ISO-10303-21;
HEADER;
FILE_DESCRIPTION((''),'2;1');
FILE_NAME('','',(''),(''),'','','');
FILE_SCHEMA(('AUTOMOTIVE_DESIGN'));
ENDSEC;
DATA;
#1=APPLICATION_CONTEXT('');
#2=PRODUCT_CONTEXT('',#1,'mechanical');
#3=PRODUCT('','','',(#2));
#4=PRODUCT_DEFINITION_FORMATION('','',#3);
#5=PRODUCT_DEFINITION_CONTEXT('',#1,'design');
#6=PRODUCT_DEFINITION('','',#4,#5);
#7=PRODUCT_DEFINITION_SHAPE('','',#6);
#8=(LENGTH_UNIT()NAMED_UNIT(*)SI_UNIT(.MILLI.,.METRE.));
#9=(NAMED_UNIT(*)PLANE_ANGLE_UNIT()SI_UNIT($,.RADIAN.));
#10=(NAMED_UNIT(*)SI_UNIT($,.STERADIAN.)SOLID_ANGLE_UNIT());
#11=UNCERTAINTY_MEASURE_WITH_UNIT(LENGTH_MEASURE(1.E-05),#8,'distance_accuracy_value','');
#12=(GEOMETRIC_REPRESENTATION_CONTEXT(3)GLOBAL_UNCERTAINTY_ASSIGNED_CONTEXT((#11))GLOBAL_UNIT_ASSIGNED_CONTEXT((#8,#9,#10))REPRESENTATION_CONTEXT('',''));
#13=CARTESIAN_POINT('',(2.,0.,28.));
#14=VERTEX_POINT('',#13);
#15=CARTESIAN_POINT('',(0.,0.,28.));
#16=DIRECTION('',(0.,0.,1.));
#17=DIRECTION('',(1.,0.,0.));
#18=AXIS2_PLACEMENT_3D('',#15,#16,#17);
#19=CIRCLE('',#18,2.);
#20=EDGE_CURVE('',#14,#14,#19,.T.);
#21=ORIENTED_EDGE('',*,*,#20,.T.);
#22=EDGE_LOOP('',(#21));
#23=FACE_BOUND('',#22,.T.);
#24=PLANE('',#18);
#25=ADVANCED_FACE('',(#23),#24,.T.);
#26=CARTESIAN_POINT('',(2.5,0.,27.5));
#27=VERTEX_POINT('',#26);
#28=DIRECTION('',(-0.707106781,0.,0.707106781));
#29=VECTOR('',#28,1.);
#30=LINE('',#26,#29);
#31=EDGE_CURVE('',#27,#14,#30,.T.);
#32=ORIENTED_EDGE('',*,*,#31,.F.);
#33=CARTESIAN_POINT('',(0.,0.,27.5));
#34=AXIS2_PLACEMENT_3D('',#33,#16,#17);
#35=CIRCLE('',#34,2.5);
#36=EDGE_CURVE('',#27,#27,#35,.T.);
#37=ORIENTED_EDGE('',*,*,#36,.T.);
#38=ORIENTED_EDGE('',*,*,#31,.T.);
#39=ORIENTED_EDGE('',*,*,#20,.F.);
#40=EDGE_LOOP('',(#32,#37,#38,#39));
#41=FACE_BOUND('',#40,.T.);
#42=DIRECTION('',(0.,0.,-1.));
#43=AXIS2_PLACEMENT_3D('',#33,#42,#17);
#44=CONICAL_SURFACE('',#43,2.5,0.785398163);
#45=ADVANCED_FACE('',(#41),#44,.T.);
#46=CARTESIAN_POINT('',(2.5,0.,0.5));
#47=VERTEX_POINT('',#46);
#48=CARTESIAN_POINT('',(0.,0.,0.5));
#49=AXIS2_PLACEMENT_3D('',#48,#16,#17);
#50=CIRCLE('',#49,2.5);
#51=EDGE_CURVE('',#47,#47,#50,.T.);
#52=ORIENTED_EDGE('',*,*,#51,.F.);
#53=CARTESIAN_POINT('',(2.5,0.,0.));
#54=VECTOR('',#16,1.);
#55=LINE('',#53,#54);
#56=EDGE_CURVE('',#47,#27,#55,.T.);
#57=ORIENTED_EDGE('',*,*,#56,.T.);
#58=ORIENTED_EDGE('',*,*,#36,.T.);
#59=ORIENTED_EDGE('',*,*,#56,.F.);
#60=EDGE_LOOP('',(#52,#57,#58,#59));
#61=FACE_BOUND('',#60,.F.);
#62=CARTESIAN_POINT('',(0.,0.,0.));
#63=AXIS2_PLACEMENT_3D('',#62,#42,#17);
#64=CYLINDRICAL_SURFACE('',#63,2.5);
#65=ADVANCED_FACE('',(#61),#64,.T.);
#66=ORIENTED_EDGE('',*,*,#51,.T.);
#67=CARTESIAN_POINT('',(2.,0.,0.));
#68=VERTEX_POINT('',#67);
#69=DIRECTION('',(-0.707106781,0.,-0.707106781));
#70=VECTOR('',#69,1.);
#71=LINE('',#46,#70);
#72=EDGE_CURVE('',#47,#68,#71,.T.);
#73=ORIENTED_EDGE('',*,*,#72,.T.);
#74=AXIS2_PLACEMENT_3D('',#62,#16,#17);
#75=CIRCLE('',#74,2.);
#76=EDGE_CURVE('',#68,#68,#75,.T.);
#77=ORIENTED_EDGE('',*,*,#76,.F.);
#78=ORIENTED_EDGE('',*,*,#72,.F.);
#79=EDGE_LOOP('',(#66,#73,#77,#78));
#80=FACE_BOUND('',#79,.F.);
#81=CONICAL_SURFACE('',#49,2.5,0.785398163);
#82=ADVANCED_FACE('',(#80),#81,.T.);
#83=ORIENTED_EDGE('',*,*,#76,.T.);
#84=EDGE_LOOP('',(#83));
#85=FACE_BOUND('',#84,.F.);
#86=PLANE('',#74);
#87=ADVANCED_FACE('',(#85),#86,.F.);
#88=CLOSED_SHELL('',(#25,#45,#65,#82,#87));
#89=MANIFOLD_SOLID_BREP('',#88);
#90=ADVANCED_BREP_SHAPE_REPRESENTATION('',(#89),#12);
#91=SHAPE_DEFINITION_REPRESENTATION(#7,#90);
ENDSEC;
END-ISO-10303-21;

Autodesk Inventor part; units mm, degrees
ref_plane "YZ Plane" through (0, 0, 0) normal (1, 0, 0) x (0, 1, 0)
ref_plane "XZ Plane" through (0, 0, 0) normal (0, 1, 0) x (-1, 0, 0)
ref_plane "XY Plane" through (0, 0, 0) normal (0, 0, 1) x (1, 0, 0)
sketch "Sketch1" plane through (0, 0, 0) normal (0, 0, 1) x (1, 0, 0)
  circle A0 centre (0, 0) radius 2.5
  dimension "d0" = 5
extrude "Extrusion1" add sketch "Sketch1" along normal blind 28
chamfer "Chamfer1" distance 0.5 angle 45 2 edges at (-2.5, 0, 28) (-2.5, 0, 0)
properties part number "PistonPin"
